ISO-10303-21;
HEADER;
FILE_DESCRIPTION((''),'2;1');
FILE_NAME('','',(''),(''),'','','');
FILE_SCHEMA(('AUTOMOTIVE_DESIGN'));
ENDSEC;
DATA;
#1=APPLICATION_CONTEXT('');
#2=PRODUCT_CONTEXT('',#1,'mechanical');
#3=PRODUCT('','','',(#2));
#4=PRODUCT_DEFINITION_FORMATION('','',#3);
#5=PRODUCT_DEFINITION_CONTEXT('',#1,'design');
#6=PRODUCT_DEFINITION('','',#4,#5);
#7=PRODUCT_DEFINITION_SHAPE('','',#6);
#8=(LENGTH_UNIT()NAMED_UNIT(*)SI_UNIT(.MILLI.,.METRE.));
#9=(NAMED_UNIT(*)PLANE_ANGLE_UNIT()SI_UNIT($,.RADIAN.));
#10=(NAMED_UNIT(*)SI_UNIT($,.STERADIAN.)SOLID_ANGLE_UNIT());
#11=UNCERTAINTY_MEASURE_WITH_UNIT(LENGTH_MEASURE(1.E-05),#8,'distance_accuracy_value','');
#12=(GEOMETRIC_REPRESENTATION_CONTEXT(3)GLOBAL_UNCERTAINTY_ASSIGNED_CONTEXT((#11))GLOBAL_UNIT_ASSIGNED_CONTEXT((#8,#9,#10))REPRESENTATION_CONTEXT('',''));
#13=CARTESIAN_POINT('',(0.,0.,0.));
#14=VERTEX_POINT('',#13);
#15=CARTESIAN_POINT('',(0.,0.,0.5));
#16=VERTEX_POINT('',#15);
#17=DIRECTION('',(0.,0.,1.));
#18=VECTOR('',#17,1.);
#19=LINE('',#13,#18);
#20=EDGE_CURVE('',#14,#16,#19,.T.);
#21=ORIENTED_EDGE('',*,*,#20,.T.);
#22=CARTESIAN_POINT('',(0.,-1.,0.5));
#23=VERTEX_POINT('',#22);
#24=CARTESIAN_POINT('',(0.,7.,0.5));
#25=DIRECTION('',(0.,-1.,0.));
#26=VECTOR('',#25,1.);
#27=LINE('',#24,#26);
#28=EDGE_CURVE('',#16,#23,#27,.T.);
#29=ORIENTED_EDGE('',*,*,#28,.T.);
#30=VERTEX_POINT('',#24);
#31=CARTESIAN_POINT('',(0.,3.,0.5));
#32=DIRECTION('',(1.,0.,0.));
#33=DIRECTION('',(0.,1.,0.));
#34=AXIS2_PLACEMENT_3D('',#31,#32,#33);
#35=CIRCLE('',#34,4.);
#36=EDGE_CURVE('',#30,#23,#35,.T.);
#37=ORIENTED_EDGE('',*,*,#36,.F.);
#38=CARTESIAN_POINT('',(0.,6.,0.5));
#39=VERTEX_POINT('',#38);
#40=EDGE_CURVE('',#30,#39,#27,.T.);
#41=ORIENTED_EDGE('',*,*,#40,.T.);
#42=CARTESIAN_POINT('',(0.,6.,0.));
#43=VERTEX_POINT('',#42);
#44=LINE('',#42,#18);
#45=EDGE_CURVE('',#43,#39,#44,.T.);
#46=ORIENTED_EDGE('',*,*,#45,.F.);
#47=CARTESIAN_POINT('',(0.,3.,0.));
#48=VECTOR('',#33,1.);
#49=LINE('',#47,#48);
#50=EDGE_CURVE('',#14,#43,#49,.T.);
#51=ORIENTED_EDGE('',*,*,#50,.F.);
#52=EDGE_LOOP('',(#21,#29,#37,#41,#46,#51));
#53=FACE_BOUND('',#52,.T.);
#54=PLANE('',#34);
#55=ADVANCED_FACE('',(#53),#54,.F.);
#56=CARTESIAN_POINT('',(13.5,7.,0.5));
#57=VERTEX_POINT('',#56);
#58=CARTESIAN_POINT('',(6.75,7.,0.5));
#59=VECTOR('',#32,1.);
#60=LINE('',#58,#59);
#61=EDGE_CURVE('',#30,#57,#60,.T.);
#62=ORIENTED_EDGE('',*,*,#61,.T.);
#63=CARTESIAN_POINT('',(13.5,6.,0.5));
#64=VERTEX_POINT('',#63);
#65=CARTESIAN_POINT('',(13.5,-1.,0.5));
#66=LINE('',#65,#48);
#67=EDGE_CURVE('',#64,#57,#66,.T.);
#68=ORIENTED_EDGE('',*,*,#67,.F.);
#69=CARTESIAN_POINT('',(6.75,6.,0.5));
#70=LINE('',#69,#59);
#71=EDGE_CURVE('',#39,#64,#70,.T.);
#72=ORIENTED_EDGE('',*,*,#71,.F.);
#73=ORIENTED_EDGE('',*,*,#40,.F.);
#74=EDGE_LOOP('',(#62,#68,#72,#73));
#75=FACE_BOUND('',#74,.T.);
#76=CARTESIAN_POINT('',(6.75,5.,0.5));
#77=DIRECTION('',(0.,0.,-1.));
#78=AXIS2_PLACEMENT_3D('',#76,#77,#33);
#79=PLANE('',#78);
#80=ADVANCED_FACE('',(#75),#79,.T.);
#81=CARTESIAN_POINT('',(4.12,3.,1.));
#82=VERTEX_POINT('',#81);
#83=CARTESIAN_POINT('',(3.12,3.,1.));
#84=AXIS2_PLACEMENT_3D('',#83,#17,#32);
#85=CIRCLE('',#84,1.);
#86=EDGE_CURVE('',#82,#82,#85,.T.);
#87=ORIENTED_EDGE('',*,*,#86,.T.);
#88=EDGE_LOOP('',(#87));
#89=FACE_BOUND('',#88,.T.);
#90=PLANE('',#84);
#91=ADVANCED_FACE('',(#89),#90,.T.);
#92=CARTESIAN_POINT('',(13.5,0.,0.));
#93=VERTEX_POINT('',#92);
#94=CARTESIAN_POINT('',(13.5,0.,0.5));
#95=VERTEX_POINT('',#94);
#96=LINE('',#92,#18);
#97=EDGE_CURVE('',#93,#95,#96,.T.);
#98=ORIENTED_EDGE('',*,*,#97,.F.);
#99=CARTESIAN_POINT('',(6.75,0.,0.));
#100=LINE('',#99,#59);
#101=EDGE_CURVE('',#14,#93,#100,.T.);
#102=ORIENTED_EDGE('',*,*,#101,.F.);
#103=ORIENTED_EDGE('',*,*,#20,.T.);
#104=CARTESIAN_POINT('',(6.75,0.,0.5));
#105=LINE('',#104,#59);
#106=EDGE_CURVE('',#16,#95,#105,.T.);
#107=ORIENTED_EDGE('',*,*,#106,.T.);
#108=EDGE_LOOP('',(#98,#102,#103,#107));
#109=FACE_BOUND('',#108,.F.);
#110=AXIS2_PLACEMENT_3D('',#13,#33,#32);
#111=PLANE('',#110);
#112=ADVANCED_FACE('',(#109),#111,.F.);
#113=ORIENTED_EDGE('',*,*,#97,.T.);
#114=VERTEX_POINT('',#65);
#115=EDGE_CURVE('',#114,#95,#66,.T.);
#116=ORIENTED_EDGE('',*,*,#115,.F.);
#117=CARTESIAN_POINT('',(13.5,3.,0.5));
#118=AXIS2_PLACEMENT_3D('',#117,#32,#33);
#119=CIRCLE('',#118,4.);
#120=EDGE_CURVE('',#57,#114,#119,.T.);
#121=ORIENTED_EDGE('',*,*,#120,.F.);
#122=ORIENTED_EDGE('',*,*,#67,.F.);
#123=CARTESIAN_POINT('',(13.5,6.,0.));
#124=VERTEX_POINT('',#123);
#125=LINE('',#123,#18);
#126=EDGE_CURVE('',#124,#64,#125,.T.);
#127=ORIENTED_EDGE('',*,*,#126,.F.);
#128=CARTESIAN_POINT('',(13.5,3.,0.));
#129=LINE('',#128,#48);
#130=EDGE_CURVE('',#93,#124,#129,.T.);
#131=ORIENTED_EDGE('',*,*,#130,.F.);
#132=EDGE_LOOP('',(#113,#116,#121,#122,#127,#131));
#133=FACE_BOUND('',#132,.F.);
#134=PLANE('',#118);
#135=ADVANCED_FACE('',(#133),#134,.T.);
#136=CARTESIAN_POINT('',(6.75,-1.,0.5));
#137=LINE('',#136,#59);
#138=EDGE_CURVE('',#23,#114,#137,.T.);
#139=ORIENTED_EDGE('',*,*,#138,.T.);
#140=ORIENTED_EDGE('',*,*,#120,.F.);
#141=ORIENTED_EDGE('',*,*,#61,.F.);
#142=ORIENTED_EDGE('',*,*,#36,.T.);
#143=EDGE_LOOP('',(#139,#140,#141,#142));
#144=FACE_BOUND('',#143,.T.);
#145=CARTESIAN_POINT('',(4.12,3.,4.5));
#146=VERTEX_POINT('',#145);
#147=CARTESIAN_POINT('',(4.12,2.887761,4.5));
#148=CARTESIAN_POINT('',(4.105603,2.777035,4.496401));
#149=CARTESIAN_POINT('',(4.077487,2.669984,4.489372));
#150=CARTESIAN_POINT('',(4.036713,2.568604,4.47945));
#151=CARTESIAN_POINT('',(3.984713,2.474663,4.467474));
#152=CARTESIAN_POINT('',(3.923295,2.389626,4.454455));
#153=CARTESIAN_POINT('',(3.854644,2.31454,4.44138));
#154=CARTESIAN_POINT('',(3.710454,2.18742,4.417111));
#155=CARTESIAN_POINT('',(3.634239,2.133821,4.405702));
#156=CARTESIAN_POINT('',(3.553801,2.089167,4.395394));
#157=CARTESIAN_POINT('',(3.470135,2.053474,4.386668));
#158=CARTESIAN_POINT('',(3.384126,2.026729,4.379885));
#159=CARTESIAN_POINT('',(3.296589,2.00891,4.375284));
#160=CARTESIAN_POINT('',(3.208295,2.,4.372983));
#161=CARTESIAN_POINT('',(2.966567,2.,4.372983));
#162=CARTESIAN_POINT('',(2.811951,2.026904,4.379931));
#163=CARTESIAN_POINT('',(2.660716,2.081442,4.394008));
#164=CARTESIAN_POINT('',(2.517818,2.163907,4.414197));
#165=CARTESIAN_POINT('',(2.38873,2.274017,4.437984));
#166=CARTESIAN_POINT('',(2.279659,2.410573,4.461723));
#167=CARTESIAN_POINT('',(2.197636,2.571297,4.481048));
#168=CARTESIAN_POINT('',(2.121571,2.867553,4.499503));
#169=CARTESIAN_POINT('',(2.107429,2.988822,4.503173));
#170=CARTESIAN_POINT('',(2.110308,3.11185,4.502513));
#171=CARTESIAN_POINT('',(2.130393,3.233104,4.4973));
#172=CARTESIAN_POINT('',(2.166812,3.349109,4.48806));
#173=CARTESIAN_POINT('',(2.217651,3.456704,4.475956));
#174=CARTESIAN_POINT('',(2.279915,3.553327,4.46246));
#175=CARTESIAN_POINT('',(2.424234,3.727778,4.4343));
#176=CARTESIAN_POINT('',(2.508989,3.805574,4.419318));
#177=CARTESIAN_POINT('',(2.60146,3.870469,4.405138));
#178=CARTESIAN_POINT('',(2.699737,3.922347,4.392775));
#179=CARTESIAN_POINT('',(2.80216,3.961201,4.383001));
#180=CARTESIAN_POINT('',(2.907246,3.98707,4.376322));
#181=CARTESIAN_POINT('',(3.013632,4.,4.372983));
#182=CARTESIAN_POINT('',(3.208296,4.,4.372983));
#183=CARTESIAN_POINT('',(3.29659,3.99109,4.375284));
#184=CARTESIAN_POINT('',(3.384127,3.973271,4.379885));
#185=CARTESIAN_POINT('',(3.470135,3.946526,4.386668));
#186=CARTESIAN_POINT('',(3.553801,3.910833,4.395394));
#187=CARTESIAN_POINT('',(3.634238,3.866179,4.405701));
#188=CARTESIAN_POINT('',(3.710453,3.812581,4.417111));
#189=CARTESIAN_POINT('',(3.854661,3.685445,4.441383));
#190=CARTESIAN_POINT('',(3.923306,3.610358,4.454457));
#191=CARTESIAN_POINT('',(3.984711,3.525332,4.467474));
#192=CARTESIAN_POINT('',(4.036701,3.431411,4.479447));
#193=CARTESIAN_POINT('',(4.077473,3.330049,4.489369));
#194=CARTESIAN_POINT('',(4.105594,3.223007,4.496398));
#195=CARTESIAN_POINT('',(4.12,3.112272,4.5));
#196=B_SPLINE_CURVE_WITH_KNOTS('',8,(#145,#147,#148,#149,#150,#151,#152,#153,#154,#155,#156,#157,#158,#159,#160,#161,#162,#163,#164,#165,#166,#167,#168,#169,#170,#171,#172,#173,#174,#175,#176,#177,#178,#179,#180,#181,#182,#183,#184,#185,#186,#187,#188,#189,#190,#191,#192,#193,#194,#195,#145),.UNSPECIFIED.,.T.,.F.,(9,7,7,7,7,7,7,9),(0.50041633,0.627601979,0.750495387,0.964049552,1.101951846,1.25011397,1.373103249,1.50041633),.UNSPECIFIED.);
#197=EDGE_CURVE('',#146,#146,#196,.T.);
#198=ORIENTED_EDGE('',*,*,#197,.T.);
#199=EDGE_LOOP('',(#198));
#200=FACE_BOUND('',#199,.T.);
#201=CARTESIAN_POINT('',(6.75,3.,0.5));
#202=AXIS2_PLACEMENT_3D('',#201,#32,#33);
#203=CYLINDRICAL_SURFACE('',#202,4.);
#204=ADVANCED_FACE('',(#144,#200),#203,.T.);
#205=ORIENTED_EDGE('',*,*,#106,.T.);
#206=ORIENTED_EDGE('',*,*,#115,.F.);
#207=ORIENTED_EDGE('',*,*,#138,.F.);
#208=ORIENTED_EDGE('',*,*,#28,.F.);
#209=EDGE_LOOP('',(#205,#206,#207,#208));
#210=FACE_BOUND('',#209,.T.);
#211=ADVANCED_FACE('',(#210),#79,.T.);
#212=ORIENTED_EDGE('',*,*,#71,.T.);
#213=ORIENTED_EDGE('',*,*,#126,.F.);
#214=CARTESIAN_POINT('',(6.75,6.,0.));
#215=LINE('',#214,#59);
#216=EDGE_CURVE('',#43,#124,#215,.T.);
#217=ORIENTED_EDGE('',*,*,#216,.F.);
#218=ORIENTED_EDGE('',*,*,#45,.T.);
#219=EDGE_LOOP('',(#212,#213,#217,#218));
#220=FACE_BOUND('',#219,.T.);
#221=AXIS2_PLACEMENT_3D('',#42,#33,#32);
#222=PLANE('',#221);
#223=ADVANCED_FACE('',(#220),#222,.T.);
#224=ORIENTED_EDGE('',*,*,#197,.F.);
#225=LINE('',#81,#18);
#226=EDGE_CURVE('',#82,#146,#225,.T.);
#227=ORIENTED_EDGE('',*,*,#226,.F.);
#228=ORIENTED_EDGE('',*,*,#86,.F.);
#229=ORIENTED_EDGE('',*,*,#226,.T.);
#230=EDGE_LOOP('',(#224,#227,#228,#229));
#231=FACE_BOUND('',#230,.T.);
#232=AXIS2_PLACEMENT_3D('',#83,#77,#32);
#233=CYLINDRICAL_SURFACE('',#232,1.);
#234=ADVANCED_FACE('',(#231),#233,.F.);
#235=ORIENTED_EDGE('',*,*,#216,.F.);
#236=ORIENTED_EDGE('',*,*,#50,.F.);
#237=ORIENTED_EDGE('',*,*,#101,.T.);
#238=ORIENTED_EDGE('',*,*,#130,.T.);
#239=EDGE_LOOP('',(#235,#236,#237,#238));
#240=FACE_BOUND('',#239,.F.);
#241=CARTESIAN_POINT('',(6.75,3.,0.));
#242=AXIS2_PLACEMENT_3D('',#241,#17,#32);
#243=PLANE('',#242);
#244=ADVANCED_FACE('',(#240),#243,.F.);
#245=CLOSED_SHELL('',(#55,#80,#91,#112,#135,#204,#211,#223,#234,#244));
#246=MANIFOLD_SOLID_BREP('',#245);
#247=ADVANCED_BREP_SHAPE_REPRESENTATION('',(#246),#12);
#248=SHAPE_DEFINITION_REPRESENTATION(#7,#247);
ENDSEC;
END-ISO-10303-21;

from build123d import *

# Parameters (mm, degrees)
CYLINDER001_R     = 1
CYLINDER001_DEPTH = 3.5
BOX_W             = 13.5
BOX_H             = 6
BOX_DEPTH         = 0.5
CYLINDER_W        = 4
CYLINDER_H        = 13.5
CYLINDER_ANGLE    = 180


with BuildPart() as cylinder001:
    # Cylinder001 → Cylinder001 (new body)
    with BuildSketch(Plane(origin=(3.12, 3, 1), x_dir=(1, 0, 0), z_dir=(0, 0, 1))):
        Circle(CYLINDER001_R)
    extrude(amount=CYLINDER001_DEPTH)


with BuildPart() as cube:
    # Box → Box (new body)
    with BuildSketch(Plane.XY):
        with Locations((6.75, 3)):
            Rectangle(BOX_W, BOX_H)
    extrude(amount=BOX_DEPTH)


with BuildPart() as src:
    # Cylinder → Cylinder (revolve)
    with BuildSketch(Plane(origin=(0, 3, 0.5), x_dir=(0, 1, 0), z_dir=(0, 0, -1))):
        with Locations((2, 6.75)):
            Rectangle(CYLINDER_W, CYLINDER_H)
    revolve(axis=Axis((0, 3, 0.5), (1, 0, 0)), revolution_arc=CYLINDER_ANGLE)

    # Fusion: union Cube
    add(cube.part)

    # Cut: cut Cylinder001
    add(cylinder001.part, mode=Mode.SUBTRACT)


solid = src.part
